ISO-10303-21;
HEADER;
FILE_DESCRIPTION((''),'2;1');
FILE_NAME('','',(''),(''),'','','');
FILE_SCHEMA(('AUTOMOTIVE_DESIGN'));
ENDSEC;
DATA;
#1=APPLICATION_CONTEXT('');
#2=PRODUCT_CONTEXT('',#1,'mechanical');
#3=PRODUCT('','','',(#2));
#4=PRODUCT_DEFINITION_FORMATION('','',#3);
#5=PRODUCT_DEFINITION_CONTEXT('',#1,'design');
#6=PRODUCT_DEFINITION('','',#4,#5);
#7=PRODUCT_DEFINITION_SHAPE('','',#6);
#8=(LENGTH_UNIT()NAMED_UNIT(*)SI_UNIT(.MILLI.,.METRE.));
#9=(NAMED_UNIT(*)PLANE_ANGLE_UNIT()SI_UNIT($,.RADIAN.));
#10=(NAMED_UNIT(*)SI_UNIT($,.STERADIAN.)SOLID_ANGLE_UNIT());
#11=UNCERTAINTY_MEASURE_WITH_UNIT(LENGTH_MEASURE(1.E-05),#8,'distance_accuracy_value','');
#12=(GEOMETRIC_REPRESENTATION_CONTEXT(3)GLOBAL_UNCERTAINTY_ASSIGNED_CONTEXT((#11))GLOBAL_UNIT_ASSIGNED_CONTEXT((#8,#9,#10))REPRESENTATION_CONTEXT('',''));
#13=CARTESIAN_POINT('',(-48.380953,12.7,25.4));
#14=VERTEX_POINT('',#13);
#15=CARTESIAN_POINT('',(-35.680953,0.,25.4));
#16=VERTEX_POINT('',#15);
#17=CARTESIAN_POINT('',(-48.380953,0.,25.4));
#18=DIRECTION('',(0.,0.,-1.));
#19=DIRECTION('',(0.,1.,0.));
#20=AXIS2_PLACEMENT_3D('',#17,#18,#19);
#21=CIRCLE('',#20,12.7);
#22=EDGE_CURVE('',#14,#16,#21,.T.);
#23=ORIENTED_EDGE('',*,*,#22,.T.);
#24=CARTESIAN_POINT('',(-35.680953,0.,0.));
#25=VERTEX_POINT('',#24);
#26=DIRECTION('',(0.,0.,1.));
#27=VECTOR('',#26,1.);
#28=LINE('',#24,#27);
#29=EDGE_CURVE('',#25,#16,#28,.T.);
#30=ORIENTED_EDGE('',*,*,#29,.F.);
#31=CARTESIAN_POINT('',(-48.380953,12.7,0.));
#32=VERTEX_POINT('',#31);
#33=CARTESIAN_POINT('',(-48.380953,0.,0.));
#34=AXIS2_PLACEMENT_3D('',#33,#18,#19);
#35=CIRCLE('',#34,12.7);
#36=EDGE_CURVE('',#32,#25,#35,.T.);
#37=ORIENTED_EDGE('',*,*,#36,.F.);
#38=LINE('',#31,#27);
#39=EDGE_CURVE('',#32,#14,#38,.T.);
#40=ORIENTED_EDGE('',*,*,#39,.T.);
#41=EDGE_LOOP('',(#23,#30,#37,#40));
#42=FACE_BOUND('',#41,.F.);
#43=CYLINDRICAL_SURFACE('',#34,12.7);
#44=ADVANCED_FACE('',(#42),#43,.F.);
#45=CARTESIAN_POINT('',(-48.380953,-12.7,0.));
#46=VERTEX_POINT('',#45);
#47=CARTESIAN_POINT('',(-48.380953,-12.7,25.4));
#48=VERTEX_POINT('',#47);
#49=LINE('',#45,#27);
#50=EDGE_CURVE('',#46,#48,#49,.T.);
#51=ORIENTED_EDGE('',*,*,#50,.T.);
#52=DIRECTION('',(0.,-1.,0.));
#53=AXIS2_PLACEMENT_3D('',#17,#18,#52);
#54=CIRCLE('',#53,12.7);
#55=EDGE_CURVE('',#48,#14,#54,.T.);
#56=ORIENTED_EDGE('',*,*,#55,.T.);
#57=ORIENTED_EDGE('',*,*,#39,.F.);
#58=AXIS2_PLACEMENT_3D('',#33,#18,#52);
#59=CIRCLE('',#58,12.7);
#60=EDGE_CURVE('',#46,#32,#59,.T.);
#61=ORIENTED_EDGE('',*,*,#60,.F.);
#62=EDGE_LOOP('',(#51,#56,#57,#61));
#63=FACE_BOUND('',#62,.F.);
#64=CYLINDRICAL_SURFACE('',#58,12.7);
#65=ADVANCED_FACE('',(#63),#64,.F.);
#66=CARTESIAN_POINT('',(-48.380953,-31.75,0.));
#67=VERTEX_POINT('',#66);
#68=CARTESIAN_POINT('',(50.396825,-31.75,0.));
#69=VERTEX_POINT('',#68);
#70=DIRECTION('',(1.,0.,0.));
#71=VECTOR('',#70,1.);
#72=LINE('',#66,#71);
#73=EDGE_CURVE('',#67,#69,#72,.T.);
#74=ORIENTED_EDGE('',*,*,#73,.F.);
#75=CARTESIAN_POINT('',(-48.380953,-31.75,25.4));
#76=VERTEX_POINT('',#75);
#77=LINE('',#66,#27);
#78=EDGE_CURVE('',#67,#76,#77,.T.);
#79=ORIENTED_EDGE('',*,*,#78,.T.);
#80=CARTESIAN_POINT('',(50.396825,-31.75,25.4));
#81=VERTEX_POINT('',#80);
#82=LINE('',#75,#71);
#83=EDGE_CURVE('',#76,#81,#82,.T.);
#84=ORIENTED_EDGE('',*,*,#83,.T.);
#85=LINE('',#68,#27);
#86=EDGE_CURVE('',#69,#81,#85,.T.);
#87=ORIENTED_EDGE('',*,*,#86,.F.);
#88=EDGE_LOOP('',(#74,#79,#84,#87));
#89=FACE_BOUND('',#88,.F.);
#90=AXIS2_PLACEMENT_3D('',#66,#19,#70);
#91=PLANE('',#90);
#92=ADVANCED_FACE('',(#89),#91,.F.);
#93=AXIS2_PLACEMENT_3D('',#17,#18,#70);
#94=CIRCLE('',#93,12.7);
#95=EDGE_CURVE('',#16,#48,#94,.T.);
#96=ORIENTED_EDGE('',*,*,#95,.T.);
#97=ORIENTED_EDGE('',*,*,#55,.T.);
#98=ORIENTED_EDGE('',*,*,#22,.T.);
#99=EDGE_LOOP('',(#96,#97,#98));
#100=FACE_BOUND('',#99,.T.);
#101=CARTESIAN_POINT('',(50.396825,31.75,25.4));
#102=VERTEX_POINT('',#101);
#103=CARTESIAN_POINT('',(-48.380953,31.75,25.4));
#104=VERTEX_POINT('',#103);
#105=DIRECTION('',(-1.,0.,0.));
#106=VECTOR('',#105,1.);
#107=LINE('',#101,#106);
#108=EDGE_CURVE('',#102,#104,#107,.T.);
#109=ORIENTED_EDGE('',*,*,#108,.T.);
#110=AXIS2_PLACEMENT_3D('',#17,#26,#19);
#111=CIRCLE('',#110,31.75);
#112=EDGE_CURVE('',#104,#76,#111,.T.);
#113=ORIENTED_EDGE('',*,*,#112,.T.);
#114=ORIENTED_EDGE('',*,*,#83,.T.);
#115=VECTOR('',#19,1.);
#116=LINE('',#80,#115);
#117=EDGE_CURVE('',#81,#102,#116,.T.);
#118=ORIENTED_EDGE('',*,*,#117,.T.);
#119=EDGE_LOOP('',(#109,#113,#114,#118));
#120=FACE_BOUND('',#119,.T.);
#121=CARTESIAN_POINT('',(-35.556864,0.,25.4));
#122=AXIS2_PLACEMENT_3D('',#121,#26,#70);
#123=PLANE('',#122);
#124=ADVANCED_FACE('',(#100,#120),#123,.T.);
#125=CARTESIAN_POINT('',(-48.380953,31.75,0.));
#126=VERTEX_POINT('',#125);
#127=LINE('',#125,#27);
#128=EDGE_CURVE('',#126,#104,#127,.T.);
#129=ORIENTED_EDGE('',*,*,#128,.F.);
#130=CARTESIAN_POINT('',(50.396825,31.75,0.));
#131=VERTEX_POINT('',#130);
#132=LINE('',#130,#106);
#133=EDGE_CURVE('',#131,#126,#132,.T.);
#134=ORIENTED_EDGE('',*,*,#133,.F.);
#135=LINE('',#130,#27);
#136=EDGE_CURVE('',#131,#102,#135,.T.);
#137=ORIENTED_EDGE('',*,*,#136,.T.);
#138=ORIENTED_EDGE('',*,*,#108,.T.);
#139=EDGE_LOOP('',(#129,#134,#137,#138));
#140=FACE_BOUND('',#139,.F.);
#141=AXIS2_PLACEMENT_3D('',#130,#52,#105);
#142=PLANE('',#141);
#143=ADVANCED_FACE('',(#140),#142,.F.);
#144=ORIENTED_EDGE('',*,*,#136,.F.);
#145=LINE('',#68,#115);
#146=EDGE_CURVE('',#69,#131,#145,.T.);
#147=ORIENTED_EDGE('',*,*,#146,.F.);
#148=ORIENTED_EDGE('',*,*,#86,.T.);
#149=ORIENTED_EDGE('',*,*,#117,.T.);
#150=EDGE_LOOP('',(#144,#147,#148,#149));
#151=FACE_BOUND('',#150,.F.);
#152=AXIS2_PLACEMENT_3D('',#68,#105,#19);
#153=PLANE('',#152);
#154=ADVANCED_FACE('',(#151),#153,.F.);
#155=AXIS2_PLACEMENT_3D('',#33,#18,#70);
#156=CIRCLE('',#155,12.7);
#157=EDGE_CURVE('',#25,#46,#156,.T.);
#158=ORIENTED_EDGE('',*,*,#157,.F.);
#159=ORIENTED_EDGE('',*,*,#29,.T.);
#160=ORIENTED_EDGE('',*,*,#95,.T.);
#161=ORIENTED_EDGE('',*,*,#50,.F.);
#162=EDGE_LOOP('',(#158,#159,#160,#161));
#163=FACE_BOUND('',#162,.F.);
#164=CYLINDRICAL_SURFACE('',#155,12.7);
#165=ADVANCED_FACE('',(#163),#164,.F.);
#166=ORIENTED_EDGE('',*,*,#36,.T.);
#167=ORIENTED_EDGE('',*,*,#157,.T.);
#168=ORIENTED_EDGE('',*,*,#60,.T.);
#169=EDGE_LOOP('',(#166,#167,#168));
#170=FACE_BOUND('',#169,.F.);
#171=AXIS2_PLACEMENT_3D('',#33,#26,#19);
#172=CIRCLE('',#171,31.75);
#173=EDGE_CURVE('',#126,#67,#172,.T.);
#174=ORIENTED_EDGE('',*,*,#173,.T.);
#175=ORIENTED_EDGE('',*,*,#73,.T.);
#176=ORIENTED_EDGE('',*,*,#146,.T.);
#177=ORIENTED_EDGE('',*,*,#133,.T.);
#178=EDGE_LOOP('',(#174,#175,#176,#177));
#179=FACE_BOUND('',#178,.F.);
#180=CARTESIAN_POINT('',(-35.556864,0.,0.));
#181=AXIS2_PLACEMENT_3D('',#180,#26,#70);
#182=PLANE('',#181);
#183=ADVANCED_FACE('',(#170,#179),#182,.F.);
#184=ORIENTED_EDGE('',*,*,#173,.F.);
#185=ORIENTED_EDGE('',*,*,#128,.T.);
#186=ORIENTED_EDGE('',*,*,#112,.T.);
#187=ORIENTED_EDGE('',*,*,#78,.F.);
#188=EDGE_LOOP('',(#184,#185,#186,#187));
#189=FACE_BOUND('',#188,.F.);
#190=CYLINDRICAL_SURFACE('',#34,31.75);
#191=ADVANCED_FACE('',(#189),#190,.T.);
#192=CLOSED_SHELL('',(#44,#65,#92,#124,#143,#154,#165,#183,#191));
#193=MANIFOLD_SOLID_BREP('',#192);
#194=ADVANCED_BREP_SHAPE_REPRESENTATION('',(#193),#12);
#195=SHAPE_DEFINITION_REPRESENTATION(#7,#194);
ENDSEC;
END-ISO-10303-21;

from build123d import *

# Parameters (mm, degrees)
F1_DEPTH = 25.4


with BuildPart() as f1:
    # F0 (on Top) → F1 (new body)
    with BuildSketch(Plane.XY):
        with BuildLine():
            ThreePointArc((-16.6309525629, 0), (-25.9303122603, 22.4506403027), (-48.3809525629, 31.75))
            Line((-48.3809525629, 31.75), (-48.3809525629, 12.7))
            ThreePointArc((-48.3809525629, 12.7), (-39.4006964419, 8.9802561211), (-35.6809525629, 0))
            ThreePointArc((-35.6809525629, 0), (-39.4006964419, -8.9802561211), (-48.3809525629, -12.7))
            Line((-48.3809525629, -12.7), (-48.3809525629, -31.75))
            ThreePointArc((-48.3809525629, -31.75), (-25.9303122603, -22.4506403027), (-16.6309525629, 0))
        make_face()
        with BuildLine():
            Line((50.3968245514, 31.75), (-48.3809525629, 31.75))
            ThreePointArc((-48.3809525629, 31.75), (-25.9303122603, 22.4506403027), (-16.6309525629, 0))
            ThreePointArc((-16.6309525629, 0), (-25.9303122603, -22.4506403027), (-48.3809525629, -31.75))
            Line((-48.3809525629, -31.75), (50.3968245514, -31.75))
            Line((50.3968245514, -31.75), (50.3968245514, 31.75))
        make_face()
        with BuildLine():
            Line((-48.3809525629, 12.7), (-48.3809525629, 31.75))
            ThreePointArc((-48.3809525629, 31.75), (-80.1309525629, 0), (-48.3809525629, -31.75))
            Line((-48.3809525629, -31.75), (-48.3809525629, -12.7))
            ThreePointArc((-48.3809525629, -12.7), (-61.0809525629, 0), (-48.3809525629, 12.7))
        make_face()
    extrude(amount=F1_DEPTH)


solid = f1.part
